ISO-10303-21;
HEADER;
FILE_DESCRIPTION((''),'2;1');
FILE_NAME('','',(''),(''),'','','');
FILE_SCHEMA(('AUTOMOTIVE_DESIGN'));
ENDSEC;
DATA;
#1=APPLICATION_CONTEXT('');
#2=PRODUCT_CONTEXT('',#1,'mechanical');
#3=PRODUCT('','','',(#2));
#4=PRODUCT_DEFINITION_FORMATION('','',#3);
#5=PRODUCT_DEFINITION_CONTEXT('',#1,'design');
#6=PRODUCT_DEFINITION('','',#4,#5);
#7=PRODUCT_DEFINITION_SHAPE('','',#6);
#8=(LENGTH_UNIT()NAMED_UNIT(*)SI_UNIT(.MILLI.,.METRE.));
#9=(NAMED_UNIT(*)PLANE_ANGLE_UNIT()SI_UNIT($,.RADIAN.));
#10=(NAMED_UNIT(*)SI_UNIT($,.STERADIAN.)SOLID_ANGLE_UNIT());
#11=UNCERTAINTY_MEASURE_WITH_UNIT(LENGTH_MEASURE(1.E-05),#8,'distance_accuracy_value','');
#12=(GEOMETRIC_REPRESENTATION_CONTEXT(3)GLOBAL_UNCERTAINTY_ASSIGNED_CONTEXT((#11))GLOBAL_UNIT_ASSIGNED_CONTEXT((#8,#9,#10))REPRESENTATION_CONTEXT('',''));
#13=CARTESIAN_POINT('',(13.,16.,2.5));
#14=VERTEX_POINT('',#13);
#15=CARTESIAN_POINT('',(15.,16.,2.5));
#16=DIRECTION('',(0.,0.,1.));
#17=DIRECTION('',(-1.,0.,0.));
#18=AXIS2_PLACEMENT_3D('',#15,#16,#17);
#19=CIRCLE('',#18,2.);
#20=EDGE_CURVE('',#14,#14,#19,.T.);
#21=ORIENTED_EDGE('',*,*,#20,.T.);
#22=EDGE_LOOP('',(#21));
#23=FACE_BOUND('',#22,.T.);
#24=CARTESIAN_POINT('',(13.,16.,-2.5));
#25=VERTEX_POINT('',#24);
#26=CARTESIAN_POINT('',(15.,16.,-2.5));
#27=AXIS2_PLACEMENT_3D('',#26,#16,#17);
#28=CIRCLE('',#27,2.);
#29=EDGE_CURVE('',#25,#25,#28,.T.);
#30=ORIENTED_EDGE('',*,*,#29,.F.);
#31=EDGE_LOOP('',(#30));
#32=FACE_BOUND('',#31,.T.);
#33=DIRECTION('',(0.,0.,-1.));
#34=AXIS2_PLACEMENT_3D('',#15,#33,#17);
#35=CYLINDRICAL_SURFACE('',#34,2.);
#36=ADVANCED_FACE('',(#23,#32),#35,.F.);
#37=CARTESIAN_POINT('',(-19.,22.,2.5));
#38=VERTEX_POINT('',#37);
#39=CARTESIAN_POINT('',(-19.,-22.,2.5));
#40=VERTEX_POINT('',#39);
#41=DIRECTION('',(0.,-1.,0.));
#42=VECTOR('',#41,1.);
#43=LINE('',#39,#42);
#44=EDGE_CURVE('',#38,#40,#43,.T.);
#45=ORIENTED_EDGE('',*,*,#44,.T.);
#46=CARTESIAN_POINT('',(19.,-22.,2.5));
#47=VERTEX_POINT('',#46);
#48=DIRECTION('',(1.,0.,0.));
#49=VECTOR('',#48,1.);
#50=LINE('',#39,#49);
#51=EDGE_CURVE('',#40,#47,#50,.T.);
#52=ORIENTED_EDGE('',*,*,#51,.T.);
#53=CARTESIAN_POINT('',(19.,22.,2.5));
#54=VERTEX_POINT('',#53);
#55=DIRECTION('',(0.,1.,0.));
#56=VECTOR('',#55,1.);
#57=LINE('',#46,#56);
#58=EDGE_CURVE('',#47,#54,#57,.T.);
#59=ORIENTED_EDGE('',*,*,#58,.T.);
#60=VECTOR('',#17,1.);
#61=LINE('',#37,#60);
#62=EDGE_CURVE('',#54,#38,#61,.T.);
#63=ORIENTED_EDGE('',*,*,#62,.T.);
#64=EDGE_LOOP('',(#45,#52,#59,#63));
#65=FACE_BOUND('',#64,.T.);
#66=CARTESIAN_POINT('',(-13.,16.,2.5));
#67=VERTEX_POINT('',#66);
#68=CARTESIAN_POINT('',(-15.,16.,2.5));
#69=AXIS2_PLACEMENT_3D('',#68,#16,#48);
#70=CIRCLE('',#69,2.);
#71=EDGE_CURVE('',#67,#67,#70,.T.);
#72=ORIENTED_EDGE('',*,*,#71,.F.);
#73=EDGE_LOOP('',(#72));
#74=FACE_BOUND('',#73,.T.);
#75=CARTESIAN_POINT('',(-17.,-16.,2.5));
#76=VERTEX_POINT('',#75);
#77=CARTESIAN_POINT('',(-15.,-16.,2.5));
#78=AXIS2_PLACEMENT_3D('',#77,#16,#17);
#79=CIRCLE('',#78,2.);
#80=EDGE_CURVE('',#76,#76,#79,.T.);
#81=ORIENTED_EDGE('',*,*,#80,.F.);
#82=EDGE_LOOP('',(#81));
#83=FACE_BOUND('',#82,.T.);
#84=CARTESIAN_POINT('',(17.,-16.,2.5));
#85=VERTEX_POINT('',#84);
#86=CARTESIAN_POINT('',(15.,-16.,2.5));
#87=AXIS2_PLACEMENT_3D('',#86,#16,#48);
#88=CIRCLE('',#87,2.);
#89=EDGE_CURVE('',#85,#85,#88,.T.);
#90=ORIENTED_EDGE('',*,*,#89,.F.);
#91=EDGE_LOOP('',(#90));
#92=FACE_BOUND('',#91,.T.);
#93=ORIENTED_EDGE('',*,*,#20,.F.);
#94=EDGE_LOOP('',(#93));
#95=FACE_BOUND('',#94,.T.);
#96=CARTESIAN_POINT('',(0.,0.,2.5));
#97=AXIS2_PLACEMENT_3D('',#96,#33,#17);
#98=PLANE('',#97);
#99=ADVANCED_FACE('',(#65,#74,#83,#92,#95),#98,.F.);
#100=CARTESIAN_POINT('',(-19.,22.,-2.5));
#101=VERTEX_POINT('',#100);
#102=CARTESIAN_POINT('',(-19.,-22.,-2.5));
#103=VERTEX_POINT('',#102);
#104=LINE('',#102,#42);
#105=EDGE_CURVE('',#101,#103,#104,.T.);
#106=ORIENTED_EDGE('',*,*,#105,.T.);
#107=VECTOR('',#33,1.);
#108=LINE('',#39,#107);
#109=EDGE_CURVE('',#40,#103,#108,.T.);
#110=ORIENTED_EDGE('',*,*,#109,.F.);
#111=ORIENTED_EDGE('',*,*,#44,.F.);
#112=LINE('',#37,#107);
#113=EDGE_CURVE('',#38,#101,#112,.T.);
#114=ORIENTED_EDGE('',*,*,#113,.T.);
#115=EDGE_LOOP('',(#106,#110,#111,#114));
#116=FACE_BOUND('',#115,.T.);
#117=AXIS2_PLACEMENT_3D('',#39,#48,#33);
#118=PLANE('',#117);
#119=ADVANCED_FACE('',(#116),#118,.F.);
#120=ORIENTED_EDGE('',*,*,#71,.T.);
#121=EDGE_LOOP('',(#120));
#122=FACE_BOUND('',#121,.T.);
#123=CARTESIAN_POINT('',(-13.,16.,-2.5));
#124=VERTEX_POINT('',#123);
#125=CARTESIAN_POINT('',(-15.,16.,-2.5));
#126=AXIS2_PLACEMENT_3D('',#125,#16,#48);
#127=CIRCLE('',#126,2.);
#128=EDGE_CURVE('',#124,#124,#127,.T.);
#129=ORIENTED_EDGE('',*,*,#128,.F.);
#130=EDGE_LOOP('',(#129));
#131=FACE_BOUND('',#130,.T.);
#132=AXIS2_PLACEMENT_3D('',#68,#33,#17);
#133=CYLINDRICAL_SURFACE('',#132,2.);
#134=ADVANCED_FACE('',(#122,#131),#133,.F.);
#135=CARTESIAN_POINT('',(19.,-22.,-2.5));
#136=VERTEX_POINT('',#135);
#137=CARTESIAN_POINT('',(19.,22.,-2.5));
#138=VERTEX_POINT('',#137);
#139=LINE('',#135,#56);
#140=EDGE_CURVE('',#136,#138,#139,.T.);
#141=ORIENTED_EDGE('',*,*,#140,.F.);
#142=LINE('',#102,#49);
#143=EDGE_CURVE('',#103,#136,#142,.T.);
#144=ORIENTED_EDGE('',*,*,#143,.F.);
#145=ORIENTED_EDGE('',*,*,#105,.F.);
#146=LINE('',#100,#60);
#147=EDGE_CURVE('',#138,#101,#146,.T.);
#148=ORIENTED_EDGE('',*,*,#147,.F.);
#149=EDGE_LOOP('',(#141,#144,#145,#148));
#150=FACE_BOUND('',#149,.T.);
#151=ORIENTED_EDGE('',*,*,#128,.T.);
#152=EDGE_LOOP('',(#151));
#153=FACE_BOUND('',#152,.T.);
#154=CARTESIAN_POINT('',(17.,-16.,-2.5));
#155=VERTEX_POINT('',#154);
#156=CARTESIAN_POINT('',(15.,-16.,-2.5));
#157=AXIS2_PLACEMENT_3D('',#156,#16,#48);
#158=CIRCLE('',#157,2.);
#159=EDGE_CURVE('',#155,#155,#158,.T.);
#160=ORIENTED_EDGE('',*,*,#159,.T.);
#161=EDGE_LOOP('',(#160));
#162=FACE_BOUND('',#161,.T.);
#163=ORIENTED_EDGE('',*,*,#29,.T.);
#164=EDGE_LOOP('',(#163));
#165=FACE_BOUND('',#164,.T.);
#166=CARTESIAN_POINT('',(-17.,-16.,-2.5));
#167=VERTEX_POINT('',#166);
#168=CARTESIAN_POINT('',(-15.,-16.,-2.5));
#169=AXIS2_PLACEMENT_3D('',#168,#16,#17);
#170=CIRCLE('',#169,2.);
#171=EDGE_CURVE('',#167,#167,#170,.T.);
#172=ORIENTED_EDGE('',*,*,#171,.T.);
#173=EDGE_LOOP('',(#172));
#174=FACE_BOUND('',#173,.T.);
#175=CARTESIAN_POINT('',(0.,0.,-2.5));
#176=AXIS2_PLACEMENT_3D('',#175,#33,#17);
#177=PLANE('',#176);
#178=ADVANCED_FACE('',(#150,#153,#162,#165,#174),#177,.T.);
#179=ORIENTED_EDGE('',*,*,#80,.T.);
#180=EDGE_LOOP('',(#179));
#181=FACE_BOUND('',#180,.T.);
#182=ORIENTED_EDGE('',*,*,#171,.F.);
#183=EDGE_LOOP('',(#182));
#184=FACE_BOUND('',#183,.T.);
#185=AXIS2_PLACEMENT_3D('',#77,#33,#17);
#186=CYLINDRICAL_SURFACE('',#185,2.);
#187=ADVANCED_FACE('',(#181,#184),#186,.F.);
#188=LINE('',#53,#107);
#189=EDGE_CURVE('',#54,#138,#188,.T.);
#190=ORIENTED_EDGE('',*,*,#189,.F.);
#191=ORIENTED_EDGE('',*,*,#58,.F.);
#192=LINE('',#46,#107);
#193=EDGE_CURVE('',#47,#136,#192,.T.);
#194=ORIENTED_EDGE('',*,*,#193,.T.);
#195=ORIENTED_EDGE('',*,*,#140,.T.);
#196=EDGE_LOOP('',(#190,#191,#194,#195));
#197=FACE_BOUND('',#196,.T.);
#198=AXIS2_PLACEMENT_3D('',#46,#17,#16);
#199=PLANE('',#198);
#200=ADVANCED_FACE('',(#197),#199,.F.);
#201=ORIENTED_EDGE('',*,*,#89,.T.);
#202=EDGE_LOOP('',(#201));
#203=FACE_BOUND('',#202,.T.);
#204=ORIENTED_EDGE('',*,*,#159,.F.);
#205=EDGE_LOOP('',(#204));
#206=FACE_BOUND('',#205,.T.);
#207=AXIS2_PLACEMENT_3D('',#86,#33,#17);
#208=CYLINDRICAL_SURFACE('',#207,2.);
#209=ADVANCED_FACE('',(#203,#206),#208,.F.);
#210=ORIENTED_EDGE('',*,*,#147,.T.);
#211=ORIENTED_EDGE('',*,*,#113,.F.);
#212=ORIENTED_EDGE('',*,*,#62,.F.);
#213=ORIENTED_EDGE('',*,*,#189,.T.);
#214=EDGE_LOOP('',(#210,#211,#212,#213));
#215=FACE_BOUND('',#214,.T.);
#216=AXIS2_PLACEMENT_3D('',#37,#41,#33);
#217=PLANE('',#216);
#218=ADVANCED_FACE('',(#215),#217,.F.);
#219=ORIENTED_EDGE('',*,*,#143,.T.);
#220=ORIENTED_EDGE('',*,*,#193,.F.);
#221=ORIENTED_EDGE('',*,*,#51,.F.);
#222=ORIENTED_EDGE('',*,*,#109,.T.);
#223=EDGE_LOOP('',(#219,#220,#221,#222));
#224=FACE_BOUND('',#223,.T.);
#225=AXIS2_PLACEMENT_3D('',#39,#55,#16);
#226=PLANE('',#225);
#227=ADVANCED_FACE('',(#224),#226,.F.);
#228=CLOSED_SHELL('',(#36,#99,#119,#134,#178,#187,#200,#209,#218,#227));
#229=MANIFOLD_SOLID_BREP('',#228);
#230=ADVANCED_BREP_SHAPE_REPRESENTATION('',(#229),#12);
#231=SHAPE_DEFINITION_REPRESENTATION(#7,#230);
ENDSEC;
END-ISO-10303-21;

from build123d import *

# Parameters (mm, degrees)
SKETCH1_W           = 38
SKETCH1_H           = 44
SKETCH1_R           = 2
BOSS_EXTRUDE1_DEPTH = 2.5


with BuildPart() as part:
    # Sketch1 → Boss-Extrude1 (new, symmetric)
    with BuildSketch(Plane.XY):
        Rectangle(SKETCH1_W, SKETCH1_H)
        with Locations((-15, 16)):
            Circle(SKETCH1_R, mode=Mode.SUBTRACT)
        with Locations(Location((-15, -16, 0), (0, 0, 180))):
            Circle(SKETCH1_R, mode=Mode.SUBTRACT)
        with Locations((15, -16)):
            Circle(SKETCH1_R, mode=Mode.SUBTRACT)
        with Locations(Location((15, 16, 0), (0, 0, 180))):
            Circle(SKETCH1_R, mode=Mode.SUBTRACT)
    extrude(amount=BOSS_EXTRUDE1_DEPTH, both=True)


solid = part.part
